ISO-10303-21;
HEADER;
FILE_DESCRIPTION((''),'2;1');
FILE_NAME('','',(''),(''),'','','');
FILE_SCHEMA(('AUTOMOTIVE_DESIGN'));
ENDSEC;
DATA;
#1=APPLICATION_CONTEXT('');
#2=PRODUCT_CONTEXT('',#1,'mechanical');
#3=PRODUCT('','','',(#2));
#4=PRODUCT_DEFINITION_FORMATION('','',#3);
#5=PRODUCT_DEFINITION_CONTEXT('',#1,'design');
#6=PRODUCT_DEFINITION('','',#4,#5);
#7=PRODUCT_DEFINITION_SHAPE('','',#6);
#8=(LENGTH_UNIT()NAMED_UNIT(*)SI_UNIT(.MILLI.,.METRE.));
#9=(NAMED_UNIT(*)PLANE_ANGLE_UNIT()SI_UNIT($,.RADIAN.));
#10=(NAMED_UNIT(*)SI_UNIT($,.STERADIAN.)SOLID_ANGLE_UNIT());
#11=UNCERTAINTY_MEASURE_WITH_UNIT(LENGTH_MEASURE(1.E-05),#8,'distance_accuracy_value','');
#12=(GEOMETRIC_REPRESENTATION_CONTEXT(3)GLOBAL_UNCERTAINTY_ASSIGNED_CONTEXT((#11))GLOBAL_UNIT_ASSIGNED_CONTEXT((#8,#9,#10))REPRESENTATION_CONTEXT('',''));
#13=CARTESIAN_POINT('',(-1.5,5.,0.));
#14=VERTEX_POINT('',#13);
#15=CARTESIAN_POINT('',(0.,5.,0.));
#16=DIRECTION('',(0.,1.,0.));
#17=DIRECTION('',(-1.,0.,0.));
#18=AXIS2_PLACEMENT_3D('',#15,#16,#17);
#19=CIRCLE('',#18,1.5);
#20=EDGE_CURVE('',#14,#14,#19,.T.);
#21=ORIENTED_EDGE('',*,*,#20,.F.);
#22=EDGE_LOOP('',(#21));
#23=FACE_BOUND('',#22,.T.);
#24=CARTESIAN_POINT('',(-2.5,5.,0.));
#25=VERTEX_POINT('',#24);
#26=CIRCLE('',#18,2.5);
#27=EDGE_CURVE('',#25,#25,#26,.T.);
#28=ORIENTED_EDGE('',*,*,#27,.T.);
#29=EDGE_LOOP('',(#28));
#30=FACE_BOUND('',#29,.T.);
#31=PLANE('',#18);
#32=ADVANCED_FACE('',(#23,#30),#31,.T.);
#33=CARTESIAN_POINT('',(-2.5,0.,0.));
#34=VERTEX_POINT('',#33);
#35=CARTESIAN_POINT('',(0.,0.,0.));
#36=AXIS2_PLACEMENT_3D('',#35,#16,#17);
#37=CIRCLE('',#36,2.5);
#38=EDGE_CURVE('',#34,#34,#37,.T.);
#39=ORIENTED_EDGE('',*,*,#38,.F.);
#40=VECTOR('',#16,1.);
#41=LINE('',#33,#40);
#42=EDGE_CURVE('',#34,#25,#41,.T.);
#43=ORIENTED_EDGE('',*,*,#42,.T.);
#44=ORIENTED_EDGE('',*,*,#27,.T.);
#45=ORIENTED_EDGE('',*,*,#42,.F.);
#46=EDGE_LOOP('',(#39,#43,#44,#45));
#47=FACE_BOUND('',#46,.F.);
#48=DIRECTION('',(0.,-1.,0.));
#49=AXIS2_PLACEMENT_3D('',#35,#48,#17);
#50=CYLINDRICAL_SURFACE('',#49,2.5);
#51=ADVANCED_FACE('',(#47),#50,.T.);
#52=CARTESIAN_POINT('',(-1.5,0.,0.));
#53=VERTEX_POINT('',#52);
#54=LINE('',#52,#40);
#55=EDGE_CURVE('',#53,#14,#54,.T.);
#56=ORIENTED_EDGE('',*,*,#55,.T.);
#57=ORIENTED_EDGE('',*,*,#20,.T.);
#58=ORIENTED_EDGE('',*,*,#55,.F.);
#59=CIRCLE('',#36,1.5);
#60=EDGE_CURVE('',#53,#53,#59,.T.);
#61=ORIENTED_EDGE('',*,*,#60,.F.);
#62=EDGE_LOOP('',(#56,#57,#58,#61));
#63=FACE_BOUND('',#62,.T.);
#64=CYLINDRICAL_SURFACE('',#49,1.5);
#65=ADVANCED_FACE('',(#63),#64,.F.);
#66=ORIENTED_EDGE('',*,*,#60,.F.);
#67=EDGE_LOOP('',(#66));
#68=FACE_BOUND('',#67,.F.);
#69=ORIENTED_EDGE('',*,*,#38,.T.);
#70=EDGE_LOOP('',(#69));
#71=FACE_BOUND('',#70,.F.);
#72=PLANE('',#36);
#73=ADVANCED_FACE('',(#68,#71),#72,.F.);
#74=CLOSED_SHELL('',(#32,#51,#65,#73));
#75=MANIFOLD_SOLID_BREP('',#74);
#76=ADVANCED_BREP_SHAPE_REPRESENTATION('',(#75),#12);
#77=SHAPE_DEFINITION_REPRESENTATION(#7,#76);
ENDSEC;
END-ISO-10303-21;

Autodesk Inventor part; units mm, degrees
ref_plane "YZ Plane" through (0, 0, 0) normal (1, 0, 0) x (0, 1, 0)
ref_plane "XZ Plane" through (0, 0, 0) normal (0, 1, 0) x (-1, 0, 0)
ref_plane "XY Plane" through (0, 0, 0) normal (0, 0, 1) x (1, 0, 0)
sketch "Szkic1" plane through (0, 0, 0) normal (0, 1, 0) x (-1, 0, 0)
  circle A0 centre (0, 0) radius 1.5
  circle A1 centre (0, 0) radius 2.5
  dimension "d0" = 3
  dimension "d1" = 5
extrude "Wyciągnięcie proste1" add sketch "Szkic1" along normal blind 5
properties part number "dystans rbc"
